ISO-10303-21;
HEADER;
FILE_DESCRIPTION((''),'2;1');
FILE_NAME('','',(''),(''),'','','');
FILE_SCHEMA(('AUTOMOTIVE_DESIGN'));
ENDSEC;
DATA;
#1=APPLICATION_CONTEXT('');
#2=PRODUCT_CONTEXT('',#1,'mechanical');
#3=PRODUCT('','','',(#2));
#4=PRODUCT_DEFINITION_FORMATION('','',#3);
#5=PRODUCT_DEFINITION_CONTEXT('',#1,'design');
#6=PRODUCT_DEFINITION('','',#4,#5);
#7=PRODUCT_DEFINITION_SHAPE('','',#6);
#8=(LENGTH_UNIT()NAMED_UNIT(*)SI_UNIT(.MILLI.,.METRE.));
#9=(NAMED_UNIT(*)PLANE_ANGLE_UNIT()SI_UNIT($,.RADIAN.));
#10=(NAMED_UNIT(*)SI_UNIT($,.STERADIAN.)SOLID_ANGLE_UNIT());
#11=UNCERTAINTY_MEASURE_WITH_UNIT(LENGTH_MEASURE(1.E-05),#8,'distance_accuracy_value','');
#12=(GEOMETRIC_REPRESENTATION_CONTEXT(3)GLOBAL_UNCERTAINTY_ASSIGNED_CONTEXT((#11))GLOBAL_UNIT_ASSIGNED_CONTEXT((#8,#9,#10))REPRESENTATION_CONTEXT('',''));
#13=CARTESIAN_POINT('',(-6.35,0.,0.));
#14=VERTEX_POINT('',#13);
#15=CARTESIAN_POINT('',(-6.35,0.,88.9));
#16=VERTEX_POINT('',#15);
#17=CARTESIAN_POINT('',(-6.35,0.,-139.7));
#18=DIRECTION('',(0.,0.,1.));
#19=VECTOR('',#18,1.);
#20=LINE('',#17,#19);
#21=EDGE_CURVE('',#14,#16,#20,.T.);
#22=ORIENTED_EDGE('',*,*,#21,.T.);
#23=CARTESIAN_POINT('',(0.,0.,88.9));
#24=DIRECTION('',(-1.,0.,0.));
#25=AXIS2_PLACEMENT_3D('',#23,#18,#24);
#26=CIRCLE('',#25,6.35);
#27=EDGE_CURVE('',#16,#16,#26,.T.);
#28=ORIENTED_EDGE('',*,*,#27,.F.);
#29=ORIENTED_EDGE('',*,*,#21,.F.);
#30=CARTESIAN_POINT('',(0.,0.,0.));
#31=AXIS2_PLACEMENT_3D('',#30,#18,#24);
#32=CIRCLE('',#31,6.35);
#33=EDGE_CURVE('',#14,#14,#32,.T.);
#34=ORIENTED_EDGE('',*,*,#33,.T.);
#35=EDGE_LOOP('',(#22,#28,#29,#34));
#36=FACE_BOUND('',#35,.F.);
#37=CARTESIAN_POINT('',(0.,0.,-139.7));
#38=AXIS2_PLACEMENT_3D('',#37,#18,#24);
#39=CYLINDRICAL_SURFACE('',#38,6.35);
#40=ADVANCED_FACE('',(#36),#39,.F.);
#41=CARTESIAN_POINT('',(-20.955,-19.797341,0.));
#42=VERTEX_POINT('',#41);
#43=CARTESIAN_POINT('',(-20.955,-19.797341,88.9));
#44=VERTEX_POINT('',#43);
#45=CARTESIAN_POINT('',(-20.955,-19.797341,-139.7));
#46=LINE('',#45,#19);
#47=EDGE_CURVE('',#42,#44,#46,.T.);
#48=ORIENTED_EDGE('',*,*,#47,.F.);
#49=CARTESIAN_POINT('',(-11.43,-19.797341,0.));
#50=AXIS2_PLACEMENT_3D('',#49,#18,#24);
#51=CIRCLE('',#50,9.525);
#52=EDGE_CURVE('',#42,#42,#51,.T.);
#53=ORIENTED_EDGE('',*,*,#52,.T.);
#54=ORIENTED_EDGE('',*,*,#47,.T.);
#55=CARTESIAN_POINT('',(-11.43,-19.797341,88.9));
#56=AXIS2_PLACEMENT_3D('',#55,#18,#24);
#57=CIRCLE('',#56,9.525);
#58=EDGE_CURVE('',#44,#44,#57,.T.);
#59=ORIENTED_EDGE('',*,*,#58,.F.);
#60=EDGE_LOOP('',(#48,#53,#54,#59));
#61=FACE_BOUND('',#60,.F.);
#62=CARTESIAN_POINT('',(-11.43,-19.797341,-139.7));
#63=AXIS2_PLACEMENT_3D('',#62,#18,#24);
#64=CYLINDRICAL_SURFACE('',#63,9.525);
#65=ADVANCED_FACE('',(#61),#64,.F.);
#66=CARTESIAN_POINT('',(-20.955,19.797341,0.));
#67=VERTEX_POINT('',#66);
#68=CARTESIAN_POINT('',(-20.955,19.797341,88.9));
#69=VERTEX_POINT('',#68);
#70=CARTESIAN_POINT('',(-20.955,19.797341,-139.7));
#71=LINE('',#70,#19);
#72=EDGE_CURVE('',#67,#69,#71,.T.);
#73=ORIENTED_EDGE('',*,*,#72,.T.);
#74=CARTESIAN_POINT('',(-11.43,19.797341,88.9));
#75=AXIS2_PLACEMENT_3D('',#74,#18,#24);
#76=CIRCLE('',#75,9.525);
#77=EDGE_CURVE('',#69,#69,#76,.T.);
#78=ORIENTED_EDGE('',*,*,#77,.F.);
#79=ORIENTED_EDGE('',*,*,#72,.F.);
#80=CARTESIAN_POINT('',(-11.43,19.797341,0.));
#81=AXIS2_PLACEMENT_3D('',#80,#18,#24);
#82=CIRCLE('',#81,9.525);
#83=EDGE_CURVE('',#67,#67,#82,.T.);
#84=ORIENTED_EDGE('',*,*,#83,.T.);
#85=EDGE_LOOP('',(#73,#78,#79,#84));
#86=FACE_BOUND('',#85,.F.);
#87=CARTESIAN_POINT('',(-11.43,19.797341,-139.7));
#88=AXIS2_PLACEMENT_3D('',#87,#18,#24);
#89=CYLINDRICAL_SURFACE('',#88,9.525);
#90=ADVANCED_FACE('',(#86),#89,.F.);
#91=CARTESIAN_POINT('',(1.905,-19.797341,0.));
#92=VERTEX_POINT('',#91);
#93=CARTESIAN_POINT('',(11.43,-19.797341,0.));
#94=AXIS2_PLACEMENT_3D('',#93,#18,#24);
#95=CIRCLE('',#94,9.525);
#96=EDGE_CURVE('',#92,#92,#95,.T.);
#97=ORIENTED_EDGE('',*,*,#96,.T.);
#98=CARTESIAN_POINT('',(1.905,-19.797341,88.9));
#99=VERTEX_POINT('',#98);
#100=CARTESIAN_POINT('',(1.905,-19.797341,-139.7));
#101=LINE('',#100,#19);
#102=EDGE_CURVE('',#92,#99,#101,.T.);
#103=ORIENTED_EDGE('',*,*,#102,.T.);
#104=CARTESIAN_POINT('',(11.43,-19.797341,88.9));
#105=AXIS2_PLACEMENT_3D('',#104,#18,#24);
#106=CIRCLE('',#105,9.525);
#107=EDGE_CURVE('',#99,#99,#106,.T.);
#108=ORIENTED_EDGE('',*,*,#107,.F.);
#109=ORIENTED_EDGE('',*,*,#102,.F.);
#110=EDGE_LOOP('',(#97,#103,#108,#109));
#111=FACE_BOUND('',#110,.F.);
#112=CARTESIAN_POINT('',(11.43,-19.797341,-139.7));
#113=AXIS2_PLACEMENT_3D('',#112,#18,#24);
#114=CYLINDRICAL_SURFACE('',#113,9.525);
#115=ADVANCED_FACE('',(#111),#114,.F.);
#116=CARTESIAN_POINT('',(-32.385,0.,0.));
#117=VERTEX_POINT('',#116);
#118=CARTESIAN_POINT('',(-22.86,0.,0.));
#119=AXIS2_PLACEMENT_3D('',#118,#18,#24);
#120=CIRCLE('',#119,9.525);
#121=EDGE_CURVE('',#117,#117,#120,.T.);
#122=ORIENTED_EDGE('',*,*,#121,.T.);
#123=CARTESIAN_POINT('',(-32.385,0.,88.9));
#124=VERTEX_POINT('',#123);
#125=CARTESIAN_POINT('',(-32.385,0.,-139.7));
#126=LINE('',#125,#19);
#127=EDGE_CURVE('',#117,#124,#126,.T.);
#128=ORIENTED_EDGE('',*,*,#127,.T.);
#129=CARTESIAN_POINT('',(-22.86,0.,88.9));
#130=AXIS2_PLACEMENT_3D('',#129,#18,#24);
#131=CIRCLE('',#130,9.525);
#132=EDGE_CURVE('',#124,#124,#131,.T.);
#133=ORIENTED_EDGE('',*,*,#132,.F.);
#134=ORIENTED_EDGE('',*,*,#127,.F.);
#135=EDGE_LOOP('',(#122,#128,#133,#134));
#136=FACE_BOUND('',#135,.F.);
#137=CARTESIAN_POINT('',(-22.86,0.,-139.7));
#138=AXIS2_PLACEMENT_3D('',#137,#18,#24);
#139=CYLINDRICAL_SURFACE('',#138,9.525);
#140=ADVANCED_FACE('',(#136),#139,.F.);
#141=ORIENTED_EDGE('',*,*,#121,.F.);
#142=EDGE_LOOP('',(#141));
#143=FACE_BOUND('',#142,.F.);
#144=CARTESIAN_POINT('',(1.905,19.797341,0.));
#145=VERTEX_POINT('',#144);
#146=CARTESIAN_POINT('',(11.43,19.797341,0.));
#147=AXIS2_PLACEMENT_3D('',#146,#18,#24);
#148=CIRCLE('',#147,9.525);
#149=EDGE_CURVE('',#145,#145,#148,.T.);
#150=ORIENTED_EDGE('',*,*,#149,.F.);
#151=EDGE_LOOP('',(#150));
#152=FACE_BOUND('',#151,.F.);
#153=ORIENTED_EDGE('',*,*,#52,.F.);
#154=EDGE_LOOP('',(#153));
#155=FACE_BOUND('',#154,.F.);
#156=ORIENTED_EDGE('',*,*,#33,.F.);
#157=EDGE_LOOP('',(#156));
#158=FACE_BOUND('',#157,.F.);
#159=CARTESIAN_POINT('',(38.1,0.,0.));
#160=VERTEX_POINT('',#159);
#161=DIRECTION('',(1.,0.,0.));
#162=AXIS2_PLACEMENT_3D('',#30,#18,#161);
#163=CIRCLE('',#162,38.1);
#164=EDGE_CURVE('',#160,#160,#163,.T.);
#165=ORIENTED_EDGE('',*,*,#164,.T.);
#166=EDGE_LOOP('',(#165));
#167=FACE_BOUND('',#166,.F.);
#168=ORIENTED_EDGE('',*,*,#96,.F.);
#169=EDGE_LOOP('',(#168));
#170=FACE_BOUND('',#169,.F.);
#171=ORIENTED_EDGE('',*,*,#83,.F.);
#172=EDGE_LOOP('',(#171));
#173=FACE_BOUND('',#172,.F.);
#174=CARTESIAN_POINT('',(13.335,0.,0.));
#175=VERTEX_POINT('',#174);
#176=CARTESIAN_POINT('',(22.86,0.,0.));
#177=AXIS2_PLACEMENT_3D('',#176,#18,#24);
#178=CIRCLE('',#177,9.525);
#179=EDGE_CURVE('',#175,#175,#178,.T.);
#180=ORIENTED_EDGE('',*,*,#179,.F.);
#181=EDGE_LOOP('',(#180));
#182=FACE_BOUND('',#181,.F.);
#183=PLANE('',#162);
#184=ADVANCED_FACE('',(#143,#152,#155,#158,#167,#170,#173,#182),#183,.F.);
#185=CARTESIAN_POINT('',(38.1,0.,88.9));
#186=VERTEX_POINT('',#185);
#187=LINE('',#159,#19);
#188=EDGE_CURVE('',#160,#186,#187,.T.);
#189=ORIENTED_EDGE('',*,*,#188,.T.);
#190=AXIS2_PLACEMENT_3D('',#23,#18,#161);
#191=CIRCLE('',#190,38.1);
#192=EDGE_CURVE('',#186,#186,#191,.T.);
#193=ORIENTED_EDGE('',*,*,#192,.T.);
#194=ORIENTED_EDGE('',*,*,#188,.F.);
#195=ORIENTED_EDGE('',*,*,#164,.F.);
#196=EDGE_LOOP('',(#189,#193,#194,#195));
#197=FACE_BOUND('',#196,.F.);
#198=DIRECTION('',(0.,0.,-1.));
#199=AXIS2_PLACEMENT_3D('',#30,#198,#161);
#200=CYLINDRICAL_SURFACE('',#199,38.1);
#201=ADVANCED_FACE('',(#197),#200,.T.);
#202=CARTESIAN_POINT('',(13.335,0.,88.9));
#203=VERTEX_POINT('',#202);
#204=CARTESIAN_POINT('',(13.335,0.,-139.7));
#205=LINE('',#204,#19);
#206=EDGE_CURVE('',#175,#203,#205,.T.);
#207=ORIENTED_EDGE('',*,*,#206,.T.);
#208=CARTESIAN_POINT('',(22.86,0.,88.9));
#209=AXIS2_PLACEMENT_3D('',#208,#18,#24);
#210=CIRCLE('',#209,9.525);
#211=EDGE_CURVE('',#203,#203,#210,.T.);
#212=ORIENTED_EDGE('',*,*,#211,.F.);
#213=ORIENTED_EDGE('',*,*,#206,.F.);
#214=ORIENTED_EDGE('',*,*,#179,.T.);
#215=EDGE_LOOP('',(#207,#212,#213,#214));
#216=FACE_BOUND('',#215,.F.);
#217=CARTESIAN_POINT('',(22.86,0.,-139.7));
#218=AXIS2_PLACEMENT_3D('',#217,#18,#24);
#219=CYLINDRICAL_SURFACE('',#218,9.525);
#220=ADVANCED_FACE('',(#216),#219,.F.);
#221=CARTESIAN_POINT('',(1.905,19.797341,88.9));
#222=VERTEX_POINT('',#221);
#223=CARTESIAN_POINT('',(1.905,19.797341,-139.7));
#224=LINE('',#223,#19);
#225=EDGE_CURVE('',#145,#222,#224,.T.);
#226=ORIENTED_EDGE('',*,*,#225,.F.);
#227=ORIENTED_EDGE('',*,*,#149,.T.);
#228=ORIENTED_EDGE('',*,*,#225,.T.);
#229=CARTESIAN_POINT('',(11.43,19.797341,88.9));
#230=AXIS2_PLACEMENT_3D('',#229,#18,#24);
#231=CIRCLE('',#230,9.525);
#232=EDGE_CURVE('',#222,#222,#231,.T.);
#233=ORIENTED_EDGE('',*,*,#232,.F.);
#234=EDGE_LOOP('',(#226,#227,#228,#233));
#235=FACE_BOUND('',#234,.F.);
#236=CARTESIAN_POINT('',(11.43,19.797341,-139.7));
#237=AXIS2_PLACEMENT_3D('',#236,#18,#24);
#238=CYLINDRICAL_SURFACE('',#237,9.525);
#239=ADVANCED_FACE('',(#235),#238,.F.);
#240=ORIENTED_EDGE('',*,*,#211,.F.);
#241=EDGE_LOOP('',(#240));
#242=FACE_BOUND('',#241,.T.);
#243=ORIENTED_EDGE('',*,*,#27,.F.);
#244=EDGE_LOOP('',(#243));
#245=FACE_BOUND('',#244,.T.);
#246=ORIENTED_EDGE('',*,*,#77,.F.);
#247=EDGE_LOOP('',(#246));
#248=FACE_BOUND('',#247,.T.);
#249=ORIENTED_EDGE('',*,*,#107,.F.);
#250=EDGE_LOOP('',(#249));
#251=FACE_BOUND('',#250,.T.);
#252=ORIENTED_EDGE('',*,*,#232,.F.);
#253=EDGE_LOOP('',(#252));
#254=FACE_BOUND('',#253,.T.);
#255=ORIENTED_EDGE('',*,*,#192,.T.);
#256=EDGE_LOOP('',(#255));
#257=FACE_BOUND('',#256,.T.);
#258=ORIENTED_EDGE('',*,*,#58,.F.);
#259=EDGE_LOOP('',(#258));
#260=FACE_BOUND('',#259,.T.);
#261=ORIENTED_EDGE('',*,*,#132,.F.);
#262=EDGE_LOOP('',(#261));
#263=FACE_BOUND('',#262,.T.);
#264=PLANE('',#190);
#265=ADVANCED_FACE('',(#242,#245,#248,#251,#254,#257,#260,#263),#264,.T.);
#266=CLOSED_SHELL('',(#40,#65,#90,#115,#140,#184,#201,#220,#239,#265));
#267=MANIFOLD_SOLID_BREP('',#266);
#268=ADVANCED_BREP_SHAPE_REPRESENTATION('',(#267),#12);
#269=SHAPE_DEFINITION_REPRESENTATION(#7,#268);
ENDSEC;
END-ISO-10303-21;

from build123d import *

# Parameters (mm, degrees)
F0_R     = 38.1
F1_DEPTH = 88.9
F3_D     = 12.7
F5_D     = 19.05


with BuildPart() as f1:
    # F0 (on Top) → F1 (new body)
    with BuildSketch(Plane.XY):
        Circle(F0_R)
    extrude(amount=F1_DEPTH)

    # F3 (through all)
    with Locations(Plane(origin=(0, 0, 0), x_dir=(1, 0, 0), z_dir=(0, 0, -1))):
        with Locations((0, 0)):
            Hole(F3_D / 2)

    # F5 (through all)
    with Locations(Plane(origin=(0, 0, 0), x_dir=(1, 0, 0), z_dir=(0, 0, -1))):
        with Locations((-22.86, 0), (-11.43, -19.797341), (11.43, -19.797341), (22.86, 0), (11.43, 19.797341), (-11.43, 19.797341)):
            Hole(F5_D / 2)


solid = f1.part
